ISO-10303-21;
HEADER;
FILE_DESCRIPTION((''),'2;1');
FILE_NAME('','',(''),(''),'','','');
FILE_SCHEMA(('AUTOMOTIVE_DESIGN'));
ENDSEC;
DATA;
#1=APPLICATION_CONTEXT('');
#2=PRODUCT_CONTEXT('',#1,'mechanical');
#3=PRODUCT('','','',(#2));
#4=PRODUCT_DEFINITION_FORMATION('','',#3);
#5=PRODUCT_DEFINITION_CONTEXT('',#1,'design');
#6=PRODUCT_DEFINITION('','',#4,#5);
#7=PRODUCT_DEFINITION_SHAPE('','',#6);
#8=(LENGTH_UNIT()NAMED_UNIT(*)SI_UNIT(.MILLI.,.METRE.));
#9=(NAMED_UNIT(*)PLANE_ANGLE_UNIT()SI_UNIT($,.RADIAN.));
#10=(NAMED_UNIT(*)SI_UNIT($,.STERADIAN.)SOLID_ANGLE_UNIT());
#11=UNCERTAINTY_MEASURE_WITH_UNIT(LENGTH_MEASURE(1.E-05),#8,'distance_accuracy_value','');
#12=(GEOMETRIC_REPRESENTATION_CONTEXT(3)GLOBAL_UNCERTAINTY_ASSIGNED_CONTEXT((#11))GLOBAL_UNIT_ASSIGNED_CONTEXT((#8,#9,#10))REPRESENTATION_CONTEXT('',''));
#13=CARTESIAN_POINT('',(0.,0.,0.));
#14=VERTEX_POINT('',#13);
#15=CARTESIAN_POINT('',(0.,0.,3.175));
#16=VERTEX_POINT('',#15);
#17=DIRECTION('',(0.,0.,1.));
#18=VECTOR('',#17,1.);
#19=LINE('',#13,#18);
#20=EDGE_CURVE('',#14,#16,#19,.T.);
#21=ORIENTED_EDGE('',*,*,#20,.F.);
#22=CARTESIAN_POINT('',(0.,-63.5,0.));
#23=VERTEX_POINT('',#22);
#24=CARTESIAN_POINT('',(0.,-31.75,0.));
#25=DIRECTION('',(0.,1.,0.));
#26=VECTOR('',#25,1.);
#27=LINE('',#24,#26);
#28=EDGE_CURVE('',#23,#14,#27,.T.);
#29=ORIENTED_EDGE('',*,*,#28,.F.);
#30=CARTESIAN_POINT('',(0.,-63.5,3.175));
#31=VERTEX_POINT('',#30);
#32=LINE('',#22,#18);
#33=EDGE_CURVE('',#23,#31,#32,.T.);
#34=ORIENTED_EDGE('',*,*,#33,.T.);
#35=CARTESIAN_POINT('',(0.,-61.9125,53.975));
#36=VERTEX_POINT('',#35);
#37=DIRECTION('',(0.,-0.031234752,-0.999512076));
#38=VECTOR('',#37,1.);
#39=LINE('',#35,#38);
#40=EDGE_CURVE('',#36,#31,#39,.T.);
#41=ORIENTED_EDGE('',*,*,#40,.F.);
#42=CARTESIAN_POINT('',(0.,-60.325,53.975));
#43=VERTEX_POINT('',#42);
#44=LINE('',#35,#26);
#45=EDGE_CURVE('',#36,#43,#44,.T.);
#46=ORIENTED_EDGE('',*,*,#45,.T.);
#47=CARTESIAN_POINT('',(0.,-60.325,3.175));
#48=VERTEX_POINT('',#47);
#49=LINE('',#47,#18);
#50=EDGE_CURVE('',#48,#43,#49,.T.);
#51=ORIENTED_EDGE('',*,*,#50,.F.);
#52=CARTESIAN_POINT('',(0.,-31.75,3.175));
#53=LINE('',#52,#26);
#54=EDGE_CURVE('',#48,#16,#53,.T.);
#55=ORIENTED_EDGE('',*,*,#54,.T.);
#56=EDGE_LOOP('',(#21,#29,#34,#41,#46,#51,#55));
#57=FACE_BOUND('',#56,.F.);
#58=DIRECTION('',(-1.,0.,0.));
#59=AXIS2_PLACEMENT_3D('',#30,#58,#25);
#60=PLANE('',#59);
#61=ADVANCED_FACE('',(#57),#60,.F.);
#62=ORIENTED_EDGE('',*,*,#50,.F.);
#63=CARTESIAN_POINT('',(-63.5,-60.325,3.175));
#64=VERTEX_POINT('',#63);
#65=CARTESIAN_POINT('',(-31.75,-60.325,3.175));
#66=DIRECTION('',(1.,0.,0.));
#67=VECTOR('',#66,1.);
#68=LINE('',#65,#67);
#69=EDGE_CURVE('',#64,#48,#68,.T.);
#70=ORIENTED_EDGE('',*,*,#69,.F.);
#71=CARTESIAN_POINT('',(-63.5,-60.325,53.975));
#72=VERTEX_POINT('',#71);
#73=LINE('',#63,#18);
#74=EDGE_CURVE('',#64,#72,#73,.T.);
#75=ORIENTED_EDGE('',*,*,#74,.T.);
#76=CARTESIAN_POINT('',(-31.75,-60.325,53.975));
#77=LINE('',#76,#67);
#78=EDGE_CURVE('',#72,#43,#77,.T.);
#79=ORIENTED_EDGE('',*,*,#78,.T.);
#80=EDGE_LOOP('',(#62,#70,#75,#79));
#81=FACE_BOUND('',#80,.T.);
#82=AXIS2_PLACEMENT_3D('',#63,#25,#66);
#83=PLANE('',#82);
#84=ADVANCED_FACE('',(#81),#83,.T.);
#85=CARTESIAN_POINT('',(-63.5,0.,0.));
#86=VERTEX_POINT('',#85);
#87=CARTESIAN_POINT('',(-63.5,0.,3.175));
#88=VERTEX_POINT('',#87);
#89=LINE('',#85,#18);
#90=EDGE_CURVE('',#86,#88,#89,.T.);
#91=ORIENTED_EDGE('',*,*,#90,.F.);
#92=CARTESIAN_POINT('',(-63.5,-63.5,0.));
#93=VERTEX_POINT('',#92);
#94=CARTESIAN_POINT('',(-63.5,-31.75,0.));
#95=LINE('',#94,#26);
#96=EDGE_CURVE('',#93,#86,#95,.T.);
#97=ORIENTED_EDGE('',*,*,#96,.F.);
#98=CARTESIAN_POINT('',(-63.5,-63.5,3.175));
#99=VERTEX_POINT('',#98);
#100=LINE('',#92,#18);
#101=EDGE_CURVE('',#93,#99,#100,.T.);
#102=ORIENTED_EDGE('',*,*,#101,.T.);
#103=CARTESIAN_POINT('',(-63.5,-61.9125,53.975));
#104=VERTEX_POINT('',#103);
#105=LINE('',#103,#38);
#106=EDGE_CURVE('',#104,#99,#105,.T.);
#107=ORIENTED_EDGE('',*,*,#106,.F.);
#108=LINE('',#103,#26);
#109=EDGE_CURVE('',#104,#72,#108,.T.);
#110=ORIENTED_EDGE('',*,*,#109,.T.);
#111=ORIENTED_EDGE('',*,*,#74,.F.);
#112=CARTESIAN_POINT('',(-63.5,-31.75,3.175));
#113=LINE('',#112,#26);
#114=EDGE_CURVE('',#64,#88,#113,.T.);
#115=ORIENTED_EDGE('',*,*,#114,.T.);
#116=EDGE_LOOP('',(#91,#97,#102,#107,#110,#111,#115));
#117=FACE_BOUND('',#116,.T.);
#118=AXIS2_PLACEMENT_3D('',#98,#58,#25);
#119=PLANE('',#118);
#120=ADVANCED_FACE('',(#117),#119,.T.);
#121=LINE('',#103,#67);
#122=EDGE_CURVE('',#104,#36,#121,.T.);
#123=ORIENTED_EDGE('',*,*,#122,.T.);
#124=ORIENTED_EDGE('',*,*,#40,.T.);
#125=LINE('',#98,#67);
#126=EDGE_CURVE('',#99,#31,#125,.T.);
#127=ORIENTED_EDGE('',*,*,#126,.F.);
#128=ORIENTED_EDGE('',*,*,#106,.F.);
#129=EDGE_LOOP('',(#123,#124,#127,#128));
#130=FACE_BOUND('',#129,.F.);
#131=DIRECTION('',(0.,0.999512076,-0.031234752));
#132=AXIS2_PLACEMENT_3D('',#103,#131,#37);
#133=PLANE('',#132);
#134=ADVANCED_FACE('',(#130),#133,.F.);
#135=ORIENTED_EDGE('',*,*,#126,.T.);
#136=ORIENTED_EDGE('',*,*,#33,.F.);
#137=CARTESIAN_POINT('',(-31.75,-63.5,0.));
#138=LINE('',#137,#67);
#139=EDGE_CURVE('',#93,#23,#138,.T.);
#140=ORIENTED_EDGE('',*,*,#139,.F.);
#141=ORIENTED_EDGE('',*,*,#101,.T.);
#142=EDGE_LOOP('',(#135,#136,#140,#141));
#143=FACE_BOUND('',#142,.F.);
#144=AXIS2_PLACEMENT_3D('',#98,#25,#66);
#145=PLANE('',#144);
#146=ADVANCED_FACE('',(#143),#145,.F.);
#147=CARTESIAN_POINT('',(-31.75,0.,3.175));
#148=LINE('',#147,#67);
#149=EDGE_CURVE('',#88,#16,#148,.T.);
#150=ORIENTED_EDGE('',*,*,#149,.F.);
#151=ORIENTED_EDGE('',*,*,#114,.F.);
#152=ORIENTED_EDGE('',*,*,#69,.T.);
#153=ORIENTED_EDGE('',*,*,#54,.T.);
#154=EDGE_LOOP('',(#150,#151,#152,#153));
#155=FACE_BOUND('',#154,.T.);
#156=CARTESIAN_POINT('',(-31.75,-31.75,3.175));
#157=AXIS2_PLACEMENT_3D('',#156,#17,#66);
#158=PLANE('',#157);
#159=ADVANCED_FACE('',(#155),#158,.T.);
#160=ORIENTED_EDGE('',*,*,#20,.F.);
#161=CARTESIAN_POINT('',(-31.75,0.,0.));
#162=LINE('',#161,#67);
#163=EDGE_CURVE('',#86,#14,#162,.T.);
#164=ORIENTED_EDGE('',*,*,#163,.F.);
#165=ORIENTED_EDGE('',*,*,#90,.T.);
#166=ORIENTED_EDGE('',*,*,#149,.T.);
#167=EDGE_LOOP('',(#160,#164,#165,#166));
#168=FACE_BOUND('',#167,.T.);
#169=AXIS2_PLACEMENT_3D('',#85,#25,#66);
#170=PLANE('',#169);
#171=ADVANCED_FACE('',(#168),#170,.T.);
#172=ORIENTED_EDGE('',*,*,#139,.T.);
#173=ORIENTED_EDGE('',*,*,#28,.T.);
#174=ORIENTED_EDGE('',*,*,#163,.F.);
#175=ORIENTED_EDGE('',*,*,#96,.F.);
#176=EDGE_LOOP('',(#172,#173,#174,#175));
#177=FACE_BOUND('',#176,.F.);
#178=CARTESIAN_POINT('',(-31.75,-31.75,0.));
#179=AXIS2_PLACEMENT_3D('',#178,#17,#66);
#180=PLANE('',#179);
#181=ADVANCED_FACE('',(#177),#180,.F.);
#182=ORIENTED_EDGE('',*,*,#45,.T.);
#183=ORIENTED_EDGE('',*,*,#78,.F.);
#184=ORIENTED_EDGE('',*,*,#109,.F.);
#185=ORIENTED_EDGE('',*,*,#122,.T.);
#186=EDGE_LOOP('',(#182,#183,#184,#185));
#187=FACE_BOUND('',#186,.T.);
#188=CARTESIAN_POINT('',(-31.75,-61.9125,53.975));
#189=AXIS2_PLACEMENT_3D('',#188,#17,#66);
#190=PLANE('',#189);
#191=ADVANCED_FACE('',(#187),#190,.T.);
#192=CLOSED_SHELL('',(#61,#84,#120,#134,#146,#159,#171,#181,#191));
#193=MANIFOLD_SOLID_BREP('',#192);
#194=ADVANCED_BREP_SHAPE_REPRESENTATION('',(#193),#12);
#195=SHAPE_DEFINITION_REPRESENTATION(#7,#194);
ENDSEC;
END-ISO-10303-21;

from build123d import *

# Parameters (mm, degrees)
F0_W     = 63.5
F0_H     = 63.5
F1_DEPTH = 3.175
F2_W     = 63.5
F2_H     = 3.175
F3_DEPTH = 50.8
F5_DEPTH = 63.5


with BuildPart() as f1:
    # F0 (on Top) → F1 (new body)
    with BuildSketch(Plane.XY):
        with Locations((-31.75, -31.75)):
            Rectangle(F0_W, F0_H)
    extrude(amount=F1_DEPTH)

    # F2 (on face) → F3 (join)
    with BuildSketch(Plane.XY.offset(3.175)):
        with Locations((-31.75, -61.9125)):
            Rectangle(F2_W, F2_H)
    extrude(amount=F3_DEPTH)

    # F4 (on face) → F5 (cut)
    with BuildSketch(Plane(origin=(-63.5, 0, 0), x_dir=(0, -1, 0), z_dir=(-1, 0, 0))):
        Polygon((61.9125, 53.975), (63.5, 3.175), (63.5, 53.975), align=None)
    extrude(amount=-F5_DEPTH, mode=Mode.SUBTRACT)


solid = f1.part
